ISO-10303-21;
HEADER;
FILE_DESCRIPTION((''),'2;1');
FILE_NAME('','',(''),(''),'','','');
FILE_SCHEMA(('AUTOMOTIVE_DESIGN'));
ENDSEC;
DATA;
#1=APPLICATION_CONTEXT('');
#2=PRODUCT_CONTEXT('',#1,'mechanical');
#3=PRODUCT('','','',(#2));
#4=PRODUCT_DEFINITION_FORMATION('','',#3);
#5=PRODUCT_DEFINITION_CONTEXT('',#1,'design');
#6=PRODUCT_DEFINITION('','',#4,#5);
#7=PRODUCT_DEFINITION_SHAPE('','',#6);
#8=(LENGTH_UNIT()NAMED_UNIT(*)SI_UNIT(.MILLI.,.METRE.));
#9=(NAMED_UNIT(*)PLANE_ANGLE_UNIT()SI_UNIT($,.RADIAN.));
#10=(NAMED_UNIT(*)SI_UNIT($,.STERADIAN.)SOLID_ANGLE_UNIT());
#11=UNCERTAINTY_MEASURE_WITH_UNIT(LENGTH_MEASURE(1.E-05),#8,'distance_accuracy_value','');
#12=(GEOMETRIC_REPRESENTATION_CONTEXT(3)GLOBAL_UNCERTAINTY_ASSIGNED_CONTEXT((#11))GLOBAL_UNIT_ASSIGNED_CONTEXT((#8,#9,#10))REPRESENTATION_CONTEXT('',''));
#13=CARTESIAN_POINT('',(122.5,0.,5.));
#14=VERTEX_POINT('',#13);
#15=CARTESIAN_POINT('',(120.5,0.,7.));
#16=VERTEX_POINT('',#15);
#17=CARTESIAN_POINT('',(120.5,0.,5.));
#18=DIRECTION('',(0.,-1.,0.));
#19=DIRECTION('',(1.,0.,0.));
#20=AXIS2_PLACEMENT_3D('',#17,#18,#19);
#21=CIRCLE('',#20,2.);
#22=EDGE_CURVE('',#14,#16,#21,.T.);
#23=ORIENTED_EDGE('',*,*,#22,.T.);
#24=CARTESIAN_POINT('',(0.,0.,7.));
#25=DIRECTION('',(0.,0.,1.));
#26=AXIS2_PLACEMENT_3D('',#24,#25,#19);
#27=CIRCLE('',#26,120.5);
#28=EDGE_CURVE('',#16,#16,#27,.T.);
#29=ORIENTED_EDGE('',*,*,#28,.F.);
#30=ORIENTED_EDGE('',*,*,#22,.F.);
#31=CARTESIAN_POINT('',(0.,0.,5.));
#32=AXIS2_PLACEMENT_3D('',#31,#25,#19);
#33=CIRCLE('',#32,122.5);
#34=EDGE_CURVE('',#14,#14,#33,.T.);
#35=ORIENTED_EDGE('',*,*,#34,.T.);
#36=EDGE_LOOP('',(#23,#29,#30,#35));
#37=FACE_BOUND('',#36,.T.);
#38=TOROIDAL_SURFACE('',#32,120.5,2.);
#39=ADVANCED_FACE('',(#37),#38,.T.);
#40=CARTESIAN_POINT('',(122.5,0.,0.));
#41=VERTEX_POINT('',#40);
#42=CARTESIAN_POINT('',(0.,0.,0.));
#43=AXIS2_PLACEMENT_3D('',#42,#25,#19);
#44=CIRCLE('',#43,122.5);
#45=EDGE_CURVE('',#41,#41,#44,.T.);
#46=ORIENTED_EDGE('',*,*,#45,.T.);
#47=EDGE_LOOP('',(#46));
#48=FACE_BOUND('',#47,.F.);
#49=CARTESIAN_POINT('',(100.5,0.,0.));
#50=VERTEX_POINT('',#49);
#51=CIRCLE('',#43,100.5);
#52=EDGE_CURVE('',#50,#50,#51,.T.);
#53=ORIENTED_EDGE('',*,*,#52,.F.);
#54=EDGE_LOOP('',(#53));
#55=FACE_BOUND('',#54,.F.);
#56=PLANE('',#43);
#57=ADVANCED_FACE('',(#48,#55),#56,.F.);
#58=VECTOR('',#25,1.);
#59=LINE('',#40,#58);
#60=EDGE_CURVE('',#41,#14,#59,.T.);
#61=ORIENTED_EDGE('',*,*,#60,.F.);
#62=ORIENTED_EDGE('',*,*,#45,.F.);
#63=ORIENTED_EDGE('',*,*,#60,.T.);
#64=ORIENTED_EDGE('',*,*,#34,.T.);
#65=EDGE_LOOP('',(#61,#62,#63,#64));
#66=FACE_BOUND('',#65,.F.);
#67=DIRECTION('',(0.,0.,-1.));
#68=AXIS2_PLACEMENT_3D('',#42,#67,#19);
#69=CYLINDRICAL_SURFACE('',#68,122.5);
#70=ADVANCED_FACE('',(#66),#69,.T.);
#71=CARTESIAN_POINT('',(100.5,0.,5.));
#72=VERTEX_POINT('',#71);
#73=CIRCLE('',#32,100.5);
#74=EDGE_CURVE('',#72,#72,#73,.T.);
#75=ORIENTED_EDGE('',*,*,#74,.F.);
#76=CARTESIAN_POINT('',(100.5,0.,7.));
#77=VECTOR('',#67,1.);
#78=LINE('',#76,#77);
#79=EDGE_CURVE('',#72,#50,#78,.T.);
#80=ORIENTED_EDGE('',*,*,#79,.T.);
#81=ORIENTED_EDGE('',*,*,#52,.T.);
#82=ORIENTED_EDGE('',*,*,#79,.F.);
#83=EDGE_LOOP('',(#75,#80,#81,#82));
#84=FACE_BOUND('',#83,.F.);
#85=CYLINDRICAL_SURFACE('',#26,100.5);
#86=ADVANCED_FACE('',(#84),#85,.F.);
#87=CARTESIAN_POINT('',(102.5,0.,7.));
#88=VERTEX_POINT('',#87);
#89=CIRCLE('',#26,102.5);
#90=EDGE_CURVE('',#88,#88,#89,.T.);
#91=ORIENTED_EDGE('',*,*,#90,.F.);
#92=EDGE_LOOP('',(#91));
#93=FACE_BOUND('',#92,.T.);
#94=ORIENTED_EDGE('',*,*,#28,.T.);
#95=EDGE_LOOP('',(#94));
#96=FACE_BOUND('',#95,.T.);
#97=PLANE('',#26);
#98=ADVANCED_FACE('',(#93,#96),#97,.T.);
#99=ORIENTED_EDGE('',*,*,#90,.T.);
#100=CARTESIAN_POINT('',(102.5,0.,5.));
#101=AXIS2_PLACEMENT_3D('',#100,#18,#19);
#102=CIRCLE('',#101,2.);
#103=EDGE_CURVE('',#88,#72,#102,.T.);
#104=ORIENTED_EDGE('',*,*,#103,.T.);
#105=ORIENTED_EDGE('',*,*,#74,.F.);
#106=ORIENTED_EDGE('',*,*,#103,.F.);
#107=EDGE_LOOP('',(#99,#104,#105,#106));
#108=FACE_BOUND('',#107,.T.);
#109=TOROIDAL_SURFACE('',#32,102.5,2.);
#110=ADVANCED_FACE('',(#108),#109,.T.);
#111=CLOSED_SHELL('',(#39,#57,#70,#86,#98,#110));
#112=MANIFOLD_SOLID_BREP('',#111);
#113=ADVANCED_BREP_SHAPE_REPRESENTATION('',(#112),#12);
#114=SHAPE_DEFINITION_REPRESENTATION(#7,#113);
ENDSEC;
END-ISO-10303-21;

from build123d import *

# Parameters (mm, degrees)
F0_R     = 122.5
F1_DEPTH = 7
F2_R     = 100.5
F3_DEPTH = 25
F4_R     = 2


with BuildPart() as f1:
    # F0 (on Top) → F1 (new body)
    with BuildSketch(Plane.XY):
        Circle(F0_R)
    extrude(amount=F1_DEPTH)

    # F2 (on face) → F3 (cut)
    with BuildSketch(Plane.XY.offset(7)):
        Circle(F2_R)
    extrude(amount=-F3_DEPTH, mode=Mode.SUBTRACT)

    # F4
    f4_edges = [f1.edges().sort_by_distance(p)[0] for p in [
        (-122.5, 0, 7),
        (-100.5, 0, 7),
    ]]
    fillet(f4_edges, radius=F4_R)


solid = f1.part
